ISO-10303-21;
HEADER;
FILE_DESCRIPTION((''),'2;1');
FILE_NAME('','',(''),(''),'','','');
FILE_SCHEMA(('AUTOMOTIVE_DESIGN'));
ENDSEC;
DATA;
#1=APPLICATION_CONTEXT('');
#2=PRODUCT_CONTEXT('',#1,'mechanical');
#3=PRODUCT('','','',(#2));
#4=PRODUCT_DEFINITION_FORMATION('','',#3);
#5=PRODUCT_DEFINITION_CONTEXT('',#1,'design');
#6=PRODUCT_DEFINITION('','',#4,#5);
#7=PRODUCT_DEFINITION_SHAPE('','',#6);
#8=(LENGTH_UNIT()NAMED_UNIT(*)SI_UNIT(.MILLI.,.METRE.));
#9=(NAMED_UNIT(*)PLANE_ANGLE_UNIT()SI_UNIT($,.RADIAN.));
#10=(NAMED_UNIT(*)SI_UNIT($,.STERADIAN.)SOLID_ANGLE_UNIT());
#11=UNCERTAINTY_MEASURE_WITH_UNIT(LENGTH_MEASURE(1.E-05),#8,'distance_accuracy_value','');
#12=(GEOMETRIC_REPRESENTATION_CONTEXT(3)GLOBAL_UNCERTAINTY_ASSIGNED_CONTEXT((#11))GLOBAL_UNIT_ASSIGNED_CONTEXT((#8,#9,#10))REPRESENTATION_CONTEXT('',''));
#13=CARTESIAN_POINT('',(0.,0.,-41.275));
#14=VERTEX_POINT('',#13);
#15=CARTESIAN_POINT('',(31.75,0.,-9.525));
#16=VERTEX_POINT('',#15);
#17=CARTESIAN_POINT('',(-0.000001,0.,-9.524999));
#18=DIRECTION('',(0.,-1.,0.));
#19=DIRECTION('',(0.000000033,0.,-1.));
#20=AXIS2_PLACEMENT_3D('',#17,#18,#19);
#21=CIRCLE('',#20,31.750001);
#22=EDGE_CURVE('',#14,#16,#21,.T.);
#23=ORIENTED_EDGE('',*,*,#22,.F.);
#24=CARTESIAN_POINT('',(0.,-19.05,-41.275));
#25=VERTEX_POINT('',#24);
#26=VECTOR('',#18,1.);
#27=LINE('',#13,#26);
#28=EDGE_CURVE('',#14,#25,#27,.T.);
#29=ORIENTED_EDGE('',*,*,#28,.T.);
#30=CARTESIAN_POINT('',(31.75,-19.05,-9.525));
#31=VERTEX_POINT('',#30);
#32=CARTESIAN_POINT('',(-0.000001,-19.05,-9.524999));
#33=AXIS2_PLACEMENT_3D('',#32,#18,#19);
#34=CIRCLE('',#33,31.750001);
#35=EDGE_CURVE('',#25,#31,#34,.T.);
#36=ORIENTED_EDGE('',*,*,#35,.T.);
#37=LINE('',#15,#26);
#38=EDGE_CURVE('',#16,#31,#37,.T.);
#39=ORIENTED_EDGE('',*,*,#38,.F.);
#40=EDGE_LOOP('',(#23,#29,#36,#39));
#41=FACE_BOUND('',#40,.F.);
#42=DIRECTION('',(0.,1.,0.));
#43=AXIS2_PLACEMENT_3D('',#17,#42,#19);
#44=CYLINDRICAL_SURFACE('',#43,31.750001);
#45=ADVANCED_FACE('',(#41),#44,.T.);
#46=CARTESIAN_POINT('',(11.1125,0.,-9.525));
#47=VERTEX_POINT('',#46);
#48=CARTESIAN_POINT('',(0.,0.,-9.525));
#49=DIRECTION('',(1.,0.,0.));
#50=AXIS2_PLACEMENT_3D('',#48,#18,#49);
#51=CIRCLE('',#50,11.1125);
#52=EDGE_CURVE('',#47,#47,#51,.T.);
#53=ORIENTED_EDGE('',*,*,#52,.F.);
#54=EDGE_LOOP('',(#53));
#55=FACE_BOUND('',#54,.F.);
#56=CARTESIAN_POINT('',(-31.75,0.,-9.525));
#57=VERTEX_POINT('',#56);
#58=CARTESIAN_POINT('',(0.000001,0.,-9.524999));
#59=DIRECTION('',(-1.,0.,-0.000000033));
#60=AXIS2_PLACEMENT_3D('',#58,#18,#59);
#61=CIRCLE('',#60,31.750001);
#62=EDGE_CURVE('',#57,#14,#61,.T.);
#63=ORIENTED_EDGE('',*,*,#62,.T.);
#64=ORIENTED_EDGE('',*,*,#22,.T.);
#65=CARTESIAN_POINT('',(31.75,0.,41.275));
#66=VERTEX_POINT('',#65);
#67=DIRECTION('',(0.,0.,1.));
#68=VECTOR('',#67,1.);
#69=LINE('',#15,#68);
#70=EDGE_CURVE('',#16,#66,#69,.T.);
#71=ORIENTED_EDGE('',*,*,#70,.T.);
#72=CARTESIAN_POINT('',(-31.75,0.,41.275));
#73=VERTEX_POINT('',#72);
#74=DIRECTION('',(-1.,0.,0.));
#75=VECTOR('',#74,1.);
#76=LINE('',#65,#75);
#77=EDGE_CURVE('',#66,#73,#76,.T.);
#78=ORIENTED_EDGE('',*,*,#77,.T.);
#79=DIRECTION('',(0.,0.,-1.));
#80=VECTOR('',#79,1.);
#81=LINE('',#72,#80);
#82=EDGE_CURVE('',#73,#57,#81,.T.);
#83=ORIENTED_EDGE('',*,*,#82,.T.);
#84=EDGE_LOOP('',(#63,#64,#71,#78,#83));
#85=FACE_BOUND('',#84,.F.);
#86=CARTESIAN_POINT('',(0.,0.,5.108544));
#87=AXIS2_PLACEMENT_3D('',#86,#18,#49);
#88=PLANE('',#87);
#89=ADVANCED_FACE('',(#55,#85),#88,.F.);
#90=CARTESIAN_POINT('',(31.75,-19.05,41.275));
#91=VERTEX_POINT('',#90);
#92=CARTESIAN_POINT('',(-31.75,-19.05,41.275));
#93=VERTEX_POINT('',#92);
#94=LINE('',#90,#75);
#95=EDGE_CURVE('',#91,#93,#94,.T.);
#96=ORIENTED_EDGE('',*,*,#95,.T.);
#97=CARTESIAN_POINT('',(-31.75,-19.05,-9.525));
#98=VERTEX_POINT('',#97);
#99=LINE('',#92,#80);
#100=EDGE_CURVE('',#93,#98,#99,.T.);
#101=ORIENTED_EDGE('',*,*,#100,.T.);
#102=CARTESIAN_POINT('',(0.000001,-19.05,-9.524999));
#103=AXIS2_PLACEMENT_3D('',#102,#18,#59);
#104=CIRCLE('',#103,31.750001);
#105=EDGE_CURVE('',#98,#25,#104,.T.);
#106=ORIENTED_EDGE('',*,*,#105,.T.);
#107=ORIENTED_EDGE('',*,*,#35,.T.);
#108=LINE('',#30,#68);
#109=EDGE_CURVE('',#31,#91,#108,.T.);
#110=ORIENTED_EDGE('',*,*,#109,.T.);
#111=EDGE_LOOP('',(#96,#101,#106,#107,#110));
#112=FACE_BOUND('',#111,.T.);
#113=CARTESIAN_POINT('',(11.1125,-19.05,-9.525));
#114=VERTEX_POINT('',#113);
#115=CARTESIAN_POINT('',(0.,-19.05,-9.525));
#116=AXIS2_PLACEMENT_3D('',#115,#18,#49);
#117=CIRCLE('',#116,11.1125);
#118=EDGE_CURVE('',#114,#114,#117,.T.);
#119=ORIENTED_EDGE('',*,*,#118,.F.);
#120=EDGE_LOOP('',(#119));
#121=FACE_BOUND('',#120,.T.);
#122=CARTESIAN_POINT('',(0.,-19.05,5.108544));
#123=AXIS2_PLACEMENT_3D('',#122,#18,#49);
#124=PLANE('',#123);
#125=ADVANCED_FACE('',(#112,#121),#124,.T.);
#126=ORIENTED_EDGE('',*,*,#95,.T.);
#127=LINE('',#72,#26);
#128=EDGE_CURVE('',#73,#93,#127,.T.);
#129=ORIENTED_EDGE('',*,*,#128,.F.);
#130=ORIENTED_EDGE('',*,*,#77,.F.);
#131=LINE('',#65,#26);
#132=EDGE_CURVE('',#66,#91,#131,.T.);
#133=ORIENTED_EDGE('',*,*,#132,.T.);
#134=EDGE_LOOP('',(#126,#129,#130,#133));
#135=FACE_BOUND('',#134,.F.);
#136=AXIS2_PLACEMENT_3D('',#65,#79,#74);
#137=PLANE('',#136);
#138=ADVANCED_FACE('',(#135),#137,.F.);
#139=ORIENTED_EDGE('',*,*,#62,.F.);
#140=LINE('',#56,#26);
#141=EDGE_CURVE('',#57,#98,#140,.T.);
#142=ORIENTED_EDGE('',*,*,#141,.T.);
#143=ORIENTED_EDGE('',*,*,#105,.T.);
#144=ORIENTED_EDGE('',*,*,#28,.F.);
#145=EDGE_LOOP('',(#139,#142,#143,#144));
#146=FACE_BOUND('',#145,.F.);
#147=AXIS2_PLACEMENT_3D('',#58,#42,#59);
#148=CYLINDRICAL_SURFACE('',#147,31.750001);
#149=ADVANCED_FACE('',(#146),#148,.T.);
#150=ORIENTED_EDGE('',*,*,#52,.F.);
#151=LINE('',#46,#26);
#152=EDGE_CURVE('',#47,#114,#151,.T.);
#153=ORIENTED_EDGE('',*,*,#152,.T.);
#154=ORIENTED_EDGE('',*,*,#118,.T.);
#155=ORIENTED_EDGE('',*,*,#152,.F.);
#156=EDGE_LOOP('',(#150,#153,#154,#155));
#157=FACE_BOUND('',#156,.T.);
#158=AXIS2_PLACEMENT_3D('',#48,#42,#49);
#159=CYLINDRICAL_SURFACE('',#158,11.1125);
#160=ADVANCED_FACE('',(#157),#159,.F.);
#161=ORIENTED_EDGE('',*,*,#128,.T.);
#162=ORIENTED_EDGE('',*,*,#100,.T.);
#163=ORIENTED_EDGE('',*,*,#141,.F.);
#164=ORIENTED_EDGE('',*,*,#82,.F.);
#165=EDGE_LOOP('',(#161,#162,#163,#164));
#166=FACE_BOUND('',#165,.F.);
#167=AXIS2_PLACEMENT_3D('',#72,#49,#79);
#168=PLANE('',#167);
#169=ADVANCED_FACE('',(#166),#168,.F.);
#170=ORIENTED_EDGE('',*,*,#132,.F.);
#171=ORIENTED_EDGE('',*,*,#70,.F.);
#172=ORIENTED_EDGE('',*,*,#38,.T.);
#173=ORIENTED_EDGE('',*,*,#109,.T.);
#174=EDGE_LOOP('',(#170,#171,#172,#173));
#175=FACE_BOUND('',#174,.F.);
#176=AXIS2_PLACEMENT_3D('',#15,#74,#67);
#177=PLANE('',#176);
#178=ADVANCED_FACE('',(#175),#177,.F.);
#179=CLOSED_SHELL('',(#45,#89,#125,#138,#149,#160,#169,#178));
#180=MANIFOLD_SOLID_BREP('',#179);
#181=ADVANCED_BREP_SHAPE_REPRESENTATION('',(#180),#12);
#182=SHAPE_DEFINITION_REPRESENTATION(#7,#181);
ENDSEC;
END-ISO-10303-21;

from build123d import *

# Parameters (mm, degrees)
F0_R     = 11.1125
F1_DEPTH = 19.05


with BuildPart() as f1:
    # F0 (on Front) → F1 (new body)
    with BuildSketch(Plane.XZ):
        with BuildLine():
            Line((31.75, 41.275), (-31.75, 41.275))
            Line((-31.75, 41.275), (-31.75, -9.525))
            ThreePointArc((-31.75, -9.525), (-22.45064, -31.97564), (0, -41.275))
            ThreePointArc((0, -41.275), (22.45064, -31.97564), (31.75, -9.525))
            Line((31.75, -9.525), (31.75, 41.275))
        make_face()
        with Locations((0, -9.525)):
            Circle(F0_R, mode=Mode.SUBTRACT)
    extrude(amount=F1_DEPTH)


solid = f1.part
